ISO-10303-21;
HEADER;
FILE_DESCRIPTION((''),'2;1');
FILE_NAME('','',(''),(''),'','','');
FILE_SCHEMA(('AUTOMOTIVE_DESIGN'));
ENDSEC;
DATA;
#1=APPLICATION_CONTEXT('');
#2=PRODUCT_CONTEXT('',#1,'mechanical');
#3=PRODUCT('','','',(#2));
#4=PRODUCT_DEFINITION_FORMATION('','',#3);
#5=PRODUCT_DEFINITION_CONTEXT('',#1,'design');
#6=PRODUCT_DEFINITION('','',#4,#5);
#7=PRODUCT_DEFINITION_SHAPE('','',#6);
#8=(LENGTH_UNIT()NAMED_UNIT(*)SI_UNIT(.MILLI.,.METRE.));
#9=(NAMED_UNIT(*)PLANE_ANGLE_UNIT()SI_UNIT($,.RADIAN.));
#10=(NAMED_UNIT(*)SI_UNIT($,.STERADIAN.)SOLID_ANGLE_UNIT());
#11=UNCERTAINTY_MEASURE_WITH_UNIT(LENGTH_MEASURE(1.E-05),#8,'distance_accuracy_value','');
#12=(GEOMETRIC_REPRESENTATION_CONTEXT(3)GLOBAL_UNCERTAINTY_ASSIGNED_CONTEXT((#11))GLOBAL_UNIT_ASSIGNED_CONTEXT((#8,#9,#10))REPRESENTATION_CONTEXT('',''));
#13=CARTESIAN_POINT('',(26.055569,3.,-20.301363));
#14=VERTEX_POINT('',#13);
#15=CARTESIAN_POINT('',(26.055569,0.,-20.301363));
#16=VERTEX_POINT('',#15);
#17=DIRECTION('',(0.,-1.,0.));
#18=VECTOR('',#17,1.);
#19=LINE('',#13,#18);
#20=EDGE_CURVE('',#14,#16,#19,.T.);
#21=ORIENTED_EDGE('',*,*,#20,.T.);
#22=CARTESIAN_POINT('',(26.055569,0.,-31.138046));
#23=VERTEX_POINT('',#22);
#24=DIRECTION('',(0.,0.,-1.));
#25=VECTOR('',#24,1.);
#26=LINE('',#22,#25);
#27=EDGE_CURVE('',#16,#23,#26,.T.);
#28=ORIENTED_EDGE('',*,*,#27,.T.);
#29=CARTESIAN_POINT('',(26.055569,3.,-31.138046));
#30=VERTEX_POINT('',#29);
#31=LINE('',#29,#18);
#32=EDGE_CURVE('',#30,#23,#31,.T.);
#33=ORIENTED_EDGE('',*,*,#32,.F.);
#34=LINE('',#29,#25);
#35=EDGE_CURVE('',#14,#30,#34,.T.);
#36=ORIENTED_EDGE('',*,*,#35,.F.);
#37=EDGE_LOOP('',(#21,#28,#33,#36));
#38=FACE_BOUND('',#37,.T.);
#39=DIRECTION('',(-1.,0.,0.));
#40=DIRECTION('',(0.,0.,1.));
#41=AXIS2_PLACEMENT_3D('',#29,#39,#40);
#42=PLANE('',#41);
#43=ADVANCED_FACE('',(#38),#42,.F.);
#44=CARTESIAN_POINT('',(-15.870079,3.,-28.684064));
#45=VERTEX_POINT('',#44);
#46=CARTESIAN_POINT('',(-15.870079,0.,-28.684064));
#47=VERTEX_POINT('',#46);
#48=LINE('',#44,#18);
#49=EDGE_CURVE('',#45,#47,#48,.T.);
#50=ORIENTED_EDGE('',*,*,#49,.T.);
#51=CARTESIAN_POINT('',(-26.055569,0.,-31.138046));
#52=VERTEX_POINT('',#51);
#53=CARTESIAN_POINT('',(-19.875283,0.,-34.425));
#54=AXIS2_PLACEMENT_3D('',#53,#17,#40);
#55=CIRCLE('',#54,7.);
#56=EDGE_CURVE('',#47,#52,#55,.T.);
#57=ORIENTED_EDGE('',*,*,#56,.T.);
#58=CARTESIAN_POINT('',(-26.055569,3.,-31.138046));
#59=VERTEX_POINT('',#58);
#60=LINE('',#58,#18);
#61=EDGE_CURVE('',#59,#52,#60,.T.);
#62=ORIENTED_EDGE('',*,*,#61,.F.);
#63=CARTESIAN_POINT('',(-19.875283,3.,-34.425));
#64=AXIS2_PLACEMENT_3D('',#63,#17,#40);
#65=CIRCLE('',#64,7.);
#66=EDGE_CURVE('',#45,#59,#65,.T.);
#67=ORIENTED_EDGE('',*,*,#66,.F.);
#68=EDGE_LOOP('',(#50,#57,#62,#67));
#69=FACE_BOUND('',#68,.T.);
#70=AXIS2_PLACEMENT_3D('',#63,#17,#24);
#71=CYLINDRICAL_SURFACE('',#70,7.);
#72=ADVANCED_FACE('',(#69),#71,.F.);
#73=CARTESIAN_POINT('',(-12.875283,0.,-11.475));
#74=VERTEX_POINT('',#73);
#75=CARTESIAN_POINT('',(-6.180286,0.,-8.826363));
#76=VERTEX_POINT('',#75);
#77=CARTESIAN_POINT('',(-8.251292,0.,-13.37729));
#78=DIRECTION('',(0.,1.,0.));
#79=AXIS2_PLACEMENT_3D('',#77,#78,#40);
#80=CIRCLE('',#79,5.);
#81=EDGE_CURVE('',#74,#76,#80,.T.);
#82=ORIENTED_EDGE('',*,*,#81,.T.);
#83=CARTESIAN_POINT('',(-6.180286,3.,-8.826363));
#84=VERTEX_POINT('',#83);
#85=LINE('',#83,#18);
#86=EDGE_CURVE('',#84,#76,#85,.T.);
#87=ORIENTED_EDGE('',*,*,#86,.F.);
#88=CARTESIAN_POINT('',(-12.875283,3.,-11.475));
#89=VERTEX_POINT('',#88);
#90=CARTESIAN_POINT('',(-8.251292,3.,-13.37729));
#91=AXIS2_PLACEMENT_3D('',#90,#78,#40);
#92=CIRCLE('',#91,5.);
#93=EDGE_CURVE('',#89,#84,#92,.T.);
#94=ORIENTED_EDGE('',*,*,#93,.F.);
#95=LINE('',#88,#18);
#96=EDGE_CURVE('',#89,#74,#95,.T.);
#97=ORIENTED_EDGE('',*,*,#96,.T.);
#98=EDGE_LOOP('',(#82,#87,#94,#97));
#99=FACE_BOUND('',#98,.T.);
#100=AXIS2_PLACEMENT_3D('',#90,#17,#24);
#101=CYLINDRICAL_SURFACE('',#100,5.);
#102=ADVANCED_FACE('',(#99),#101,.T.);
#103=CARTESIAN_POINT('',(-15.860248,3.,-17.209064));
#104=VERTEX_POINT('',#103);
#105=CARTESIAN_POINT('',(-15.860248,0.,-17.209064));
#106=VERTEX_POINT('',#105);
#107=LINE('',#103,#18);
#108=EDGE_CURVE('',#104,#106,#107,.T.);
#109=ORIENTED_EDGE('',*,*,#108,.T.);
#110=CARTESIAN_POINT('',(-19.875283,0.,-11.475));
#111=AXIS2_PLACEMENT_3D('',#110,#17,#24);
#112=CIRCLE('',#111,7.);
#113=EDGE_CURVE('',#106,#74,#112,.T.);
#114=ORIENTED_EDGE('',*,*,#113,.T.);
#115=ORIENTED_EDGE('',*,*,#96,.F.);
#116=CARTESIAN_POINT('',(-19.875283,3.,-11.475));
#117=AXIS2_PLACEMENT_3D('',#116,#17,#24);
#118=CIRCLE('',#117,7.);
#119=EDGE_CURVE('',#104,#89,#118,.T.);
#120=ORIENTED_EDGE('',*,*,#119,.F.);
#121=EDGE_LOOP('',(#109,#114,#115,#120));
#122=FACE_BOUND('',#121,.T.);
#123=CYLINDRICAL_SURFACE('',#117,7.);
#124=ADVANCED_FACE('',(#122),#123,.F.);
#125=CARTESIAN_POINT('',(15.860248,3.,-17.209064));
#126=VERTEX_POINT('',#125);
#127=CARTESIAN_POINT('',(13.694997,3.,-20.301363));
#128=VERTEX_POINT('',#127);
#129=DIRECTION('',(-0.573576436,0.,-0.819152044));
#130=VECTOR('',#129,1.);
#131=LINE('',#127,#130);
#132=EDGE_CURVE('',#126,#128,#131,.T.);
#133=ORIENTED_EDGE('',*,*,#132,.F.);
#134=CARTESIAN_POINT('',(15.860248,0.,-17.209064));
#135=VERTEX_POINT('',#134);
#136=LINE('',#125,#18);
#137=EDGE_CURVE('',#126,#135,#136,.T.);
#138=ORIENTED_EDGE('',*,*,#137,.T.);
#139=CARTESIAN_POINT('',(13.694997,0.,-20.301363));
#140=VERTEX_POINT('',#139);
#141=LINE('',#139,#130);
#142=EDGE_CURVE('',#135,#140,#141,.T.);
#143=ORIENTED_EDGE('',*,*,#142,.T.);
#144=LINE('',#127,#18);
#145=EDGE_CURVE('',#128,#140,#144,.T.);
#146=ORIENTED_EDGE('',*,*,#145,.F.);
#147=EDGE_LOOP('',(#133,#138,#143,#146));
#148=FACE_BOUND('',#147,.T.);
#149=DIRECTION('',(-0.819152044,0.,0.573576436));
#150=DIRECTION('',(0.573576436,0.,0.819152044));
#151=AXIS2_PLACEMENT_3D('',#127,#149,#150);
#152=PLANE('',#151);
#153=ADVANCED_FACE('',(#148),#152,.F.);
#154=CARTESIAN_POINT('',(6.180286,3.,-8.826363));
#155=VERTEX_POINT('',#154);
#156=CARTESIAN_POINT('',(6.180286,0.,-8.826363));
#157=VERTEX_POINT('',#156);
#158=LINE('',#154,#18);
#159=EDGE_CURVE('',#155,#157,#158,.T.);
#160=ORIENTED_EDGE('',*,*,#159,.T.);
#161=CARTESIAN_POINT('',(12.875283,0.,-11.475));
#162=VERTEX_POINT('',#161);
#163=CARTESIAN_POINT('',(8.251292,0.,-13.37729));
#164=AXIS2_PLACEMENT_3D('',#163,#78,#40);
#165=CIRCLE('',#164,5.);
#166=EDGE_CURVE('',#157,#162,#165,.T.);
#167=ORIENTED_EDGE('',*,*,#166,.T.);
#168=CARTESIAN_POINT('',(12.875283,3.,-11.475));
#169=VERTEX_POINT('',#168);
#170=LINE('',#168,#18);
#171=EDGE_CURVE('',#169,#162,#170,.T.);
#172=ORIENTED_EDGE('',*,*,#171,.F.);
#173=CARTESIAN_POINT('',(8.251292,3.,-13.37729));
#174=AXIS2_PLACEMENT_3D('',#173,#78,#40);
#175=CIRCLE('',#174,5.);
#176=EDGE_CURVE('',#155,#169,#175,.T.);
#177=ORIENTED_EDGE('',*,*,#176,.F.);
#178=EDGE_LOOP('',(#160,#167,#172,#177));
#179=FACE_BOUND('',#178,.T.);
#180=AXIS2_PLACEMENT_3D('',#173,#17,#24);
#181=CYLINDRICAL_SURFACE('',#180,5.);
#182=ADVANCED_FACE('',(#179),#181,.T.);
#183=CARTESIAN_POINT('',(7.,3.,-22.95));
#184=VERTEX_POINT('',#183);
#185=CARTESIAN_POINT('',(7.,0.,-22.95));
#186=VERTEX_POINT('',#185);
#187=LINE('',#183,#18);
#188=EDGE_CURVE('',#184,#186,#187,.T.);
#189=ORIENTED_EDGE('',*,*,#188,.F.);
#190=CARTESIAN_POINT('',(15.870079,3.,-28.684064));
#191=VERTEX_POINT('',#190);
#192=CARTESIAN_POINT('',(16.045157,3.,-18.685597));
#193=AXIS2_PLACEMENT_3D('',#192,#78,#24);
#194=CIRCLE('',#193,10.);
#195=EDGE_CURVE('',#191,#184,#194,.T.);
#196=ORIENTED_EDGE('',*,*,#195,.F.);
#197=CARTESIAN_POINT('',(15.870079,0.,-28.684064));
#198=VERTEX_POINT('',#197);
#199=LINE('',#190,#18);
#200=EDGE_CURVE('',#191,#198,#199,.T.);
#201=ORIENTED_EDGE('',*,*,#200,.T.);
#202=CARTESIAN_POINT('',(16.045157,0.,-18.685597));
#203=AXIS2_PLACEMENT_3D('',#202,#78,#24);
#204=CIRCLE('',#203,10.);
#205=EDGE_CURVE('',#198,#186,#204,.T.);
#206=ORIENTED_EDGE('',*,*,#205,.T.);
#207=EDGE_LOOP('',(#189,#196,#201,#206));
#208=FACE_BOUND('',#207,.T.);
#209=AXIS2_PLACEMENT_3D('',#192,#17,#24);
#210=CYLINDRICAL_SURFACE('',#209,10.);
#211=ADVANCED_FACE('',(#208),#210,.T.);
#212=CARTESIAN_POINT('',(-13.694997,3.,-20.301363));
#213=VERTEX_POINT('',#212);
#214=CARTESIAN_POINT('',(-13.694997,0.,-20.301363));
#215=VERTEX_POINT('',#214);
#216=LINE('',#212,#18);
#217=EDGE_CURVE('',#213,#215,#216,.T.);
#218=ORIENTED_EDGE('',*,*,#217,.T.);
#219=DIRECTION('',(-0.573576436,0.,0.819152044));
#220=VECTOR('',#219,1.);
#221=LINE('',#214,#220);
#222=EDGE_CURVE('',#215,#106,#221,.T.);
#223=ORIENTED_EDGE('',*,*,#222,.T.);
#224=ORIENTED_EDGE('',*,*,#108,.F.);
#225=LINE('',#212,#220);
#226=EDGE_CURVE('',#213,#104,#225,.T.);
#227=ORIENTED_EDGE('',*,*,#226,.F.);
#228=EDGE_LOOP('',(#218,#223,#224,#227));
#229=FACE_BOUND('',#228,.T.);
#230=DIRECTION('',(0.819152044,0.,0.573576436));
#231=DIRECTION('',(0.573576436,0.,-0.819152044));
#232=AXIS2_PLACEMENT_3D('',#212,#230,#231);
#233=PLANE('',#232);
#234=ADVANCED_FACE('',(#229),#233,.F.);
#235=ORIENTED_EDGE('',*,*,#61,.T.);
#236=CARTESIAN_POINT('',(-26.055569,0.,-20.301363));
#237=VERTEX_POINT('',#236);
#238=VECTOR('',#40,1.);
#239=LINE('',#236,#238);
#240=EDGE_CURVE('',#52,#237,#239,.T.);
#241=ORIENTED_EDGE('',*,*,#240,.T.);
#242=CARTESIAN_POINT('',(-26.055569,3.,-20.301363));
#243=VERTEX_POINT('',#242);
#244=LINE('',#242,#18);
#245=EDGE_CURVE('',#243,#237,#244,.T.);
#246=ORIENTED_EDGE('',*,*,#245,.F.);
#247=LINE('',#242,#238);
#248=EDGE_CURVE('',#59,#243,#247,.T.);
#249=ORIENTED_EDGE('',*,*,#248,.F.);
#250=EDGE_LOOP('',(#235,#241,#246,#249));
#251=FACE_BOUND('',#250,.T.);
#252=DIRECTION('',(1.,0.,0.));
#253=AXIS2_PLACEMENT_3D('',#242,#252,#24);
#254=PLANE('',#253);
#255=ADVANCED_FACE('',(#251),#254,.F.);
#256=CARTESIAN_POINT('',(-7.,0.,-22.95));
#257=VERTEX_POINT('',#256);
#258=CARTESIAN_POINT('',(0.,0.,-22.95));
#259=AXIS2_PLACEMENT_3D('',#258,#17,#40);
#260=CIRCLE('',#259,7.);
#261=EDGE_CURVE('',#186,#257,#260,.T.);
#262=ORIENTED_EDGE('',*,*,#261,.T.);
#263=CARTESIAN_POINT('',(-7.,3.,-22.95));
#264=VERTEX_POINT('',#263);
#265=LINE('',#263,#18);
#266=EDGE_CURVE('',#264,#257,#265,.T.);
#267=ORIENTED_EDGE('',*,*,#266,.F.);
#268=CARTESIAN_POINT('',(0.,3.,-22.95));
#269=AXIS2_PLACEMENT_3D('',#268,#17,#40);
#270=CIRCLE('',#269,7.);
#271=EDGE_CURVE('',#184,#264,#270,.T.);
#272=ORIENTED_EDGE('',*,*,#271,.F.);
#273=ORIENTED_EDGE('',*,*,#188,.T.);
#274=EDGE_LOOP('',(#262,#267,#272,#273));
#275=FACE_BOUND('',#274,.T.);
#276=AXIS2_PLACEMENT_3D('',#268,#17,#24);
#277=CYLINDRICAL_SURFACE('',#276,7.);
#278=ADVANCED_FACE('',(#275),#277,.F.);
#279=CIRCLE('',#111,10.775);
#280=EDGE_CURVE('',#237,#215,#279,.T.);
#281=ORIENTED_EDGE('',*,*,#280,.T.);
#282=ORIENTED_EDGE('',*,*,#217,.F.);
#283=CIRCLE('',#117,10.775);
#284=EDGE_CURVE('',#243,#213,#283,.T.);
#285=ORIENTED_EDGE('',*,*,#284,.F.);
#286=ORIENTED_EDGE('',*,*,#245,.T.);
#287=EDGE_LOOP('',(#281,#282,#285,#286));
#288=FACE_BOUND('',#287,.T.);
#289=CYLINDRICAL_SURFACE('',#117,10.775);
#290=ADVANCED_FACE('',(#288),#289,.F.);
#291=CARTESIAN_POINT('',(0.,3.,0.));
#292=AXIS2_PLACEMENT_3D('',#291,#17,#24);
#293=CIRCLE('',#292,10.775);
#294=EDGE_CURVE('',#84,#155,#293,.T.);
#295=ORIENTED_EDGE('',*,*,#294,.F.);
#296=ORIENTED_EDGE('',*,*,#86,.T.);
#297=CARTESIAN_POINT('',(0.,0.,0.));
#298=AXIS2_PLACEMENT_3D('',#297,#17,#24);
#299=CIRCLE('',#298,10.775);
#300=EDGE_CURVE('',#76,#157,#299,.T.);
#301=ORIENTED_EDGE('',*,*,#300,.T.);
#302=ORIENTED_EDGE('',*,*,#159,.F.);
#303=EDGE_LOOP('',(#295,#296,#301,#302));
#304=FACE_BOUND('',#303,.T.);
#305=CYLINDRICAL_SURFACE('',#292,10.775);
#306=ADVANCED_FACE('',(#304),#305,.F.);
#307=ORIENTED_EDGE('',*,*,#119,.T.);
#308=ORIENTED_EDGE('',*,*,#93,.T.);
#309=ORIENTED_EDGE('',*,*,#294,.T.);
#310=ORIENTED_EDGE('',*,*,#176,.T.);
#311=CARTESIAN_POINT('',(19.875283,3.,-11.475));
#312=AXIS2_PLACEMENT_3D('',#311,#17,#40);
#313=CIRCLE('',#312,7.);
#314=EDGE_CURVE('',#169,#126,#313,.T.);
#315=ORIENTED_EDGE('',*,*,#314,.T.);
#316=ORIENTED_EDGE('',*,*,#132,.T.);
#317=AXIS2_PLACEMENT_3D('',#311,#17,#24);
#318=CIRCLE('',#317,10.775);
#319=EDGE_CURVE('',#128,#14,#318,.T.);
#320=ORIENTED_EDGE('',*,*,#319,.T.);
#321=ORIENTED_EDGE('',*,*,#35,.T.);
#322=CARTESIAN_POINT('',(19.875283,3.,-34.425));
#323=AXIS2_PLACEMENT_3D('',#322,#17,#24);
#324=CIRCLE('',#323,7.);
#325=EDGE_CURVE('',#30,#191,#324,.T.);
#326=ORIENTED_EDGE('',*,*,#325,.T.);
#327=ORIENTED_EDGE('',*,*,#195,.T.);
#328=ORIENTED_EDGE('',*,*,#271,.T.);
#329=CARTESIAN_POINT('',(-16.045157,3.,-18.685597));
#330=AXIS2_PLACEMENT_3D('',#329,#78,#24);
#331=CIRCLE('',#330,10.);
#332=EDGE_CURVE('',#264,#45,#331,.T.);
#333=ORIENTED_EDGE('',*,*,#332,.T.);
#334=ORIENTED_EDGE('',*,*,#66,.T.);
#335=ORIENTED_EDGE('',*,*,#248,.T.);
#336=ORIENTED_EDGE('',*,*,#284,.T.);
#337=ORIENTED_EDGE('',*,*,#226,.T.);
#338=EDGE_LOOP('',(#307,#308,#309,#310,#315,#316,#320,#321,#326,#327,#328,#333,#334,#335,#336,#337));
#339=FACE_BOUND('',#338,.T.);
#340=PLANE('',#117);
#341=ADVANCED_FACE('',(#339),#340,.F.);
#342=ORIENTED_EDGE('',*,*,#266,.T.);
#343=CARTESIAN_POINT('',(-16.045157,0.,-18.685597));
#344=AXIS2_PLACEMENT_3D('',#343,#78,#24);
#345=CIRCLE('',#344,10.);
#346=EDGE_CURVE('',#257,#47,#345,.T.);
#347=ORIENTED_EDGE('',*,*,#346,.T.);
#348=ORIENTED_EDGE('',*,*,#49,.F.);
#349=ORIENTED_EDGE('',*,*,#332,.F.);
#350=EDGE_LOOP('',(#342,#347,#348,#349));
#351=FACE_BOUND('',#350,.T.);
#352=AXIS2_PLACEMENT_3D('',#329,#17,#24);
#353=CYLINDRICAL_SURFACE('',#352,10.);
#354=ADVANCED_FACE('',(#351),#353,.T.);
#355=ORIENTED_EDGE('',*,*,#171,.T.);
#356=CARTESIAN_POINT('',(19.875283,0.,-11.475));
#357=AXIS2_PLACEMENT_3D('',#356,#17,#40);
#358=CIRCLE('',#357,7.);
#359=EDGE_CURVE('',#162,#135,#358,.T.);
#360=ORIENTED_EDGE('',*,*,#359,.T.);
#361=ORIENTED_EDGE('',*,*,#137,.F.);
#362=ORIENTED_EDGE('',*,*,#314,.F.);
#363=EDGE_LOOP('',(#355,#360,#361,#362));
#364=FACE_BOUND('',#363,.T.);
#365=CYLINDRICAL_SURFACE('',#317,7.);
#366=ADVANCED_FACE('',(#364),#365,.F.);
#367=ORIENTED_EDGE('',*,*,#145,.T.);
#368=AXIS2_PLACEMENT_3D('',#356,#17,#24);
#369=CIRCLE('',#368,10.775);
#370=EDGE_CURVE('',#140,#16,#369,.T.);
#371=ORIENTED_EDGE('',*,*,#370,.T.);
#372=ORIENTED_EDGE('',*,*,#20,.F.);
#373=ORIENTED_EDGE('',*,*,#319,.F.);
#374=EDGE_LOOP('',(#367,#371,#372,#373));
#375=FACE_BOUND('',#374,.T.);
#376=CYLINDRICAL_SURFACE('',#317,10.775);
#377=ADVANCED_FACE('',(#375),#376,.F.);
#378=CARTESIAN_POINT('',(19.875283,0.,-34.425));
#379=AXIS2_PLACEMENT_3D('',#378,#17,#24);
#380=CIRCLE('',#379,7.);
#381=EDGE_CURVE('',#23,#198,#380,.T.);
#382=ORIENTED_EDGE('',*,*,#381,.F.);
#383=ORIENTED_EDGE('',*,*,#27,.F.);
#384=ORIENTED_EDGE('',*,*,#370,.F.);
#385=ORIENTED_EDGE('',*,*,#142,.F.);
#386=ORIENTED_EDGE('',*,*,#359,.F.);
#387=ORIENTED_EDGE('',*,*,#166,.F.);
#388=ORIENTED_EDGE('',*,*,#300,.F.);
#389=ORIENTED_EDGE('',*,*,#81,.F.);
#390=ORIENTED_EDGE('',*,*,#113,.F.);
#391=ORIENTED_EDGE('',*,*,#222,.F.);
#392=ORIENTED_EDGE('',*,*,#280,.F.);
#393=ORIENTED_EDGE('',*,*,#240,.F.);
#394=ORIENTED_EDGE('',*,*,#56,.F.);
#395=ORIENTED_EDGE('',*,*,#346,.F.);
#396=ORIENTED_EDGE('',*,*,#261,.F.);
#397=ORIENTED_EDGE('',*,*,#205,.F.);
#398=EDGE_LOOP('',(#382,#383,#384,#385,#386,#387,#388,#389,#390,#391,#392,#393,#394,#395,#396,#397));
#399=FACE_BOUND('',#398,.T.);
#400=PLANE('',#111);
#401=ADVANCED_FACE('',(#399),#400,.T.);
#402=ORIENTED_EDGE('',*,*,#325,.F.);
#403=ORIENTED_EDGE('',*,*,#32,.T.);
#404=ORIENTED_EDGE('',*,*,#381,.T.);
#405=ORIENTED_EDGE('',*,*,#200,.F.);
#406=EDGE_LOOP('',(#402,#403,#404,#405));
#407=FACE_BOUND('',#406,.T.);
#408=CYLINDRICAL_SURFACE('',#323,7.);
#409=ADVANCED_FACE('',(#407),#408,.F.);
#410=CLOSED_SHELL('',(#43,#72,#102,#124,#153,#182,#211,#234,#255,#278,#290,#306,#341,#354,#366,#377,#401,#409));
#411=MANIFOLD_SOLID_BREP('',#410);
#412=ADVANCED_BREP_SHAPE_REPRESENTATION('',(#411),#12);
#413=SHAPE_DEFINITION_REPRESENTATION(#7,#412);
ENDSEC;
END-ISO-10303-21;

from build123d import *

# Parameters (mm, degrees)
BOSS_EXTRUDE1_DEPTH = 3


with BuildPart() as part:
    # Sketch3 → Boss-Extrude1 (new body)
    with BuildSketch(Plane(origin=(0, 0, 0), x_dir=(1, 0, 0), z_dir=(0, 1, 0))):
        with BuildLine():
            Line((-13.694996915, 20.301363277), (-15.860247962, 17.20906431))
            ThreePointArc((-15.860247962, 17.20906431), (-13.666207185, 14.707240293), (-12.875283017, 11.475))
            ThreePointArc((-12.875283017, 11.475), (-10.090653959, 8.727908609), (-6.180286102, 8.826363277))
            ThreePointArc((-6.180286102, 8.826363277), (0, 10.775), (6.180286102, 8.826363277))
            ThreePointArc((6.180286102, 8.826363277), (10.090653959, 8.727908609), (12.875283017, 11.475))
            ThreePointArc((12.875283017, 11.475), (13.666207185, 14.707240293), (15.860247962, 17.20906431))
            Line((15.860247962, 17.20906431), (13.694996915, 20.301363277))
            ThreePointArc((13.694996915, 20.301363277), (19.875283017, 22.25), (26.055569119, 20.301363277))
            Line((26.055569119, 20.301363277), (26.055569119, 31.138046441))
            ThreePointArc((26.055569119, 31.138046441), (21.514872246, 27.619726518), (15.870079226, 28.68406431))
            ThreePointArc((15.870079226, 28.68406431), (10.616247764, 27.083629141), (7, 22.95))
            ThreePointArc((7, 22.95), (0, 15.95), (-7, 22.95))
            ThreePointArc((-7, 22.95), (-10.616247764, 27.083629141), (-15.870079226, 28.68406431))
            ThreePointArc((-15.870079226, 28.68406431), (-21.514872246, 27.619726518), (-26.055569119, 31.138046441))
            Line((-26.055569119, 31.138046441), (-26.055569119, 20.301363277))
            ThreePointArc((-26.055569119, 20.301363277), (-19.875283017, 22.25), (-13.694996915, 20.301363277))
        make_face()
    extrude(amount=BOSS_EXTRUDE1_DEPTH)


solid = part.part
